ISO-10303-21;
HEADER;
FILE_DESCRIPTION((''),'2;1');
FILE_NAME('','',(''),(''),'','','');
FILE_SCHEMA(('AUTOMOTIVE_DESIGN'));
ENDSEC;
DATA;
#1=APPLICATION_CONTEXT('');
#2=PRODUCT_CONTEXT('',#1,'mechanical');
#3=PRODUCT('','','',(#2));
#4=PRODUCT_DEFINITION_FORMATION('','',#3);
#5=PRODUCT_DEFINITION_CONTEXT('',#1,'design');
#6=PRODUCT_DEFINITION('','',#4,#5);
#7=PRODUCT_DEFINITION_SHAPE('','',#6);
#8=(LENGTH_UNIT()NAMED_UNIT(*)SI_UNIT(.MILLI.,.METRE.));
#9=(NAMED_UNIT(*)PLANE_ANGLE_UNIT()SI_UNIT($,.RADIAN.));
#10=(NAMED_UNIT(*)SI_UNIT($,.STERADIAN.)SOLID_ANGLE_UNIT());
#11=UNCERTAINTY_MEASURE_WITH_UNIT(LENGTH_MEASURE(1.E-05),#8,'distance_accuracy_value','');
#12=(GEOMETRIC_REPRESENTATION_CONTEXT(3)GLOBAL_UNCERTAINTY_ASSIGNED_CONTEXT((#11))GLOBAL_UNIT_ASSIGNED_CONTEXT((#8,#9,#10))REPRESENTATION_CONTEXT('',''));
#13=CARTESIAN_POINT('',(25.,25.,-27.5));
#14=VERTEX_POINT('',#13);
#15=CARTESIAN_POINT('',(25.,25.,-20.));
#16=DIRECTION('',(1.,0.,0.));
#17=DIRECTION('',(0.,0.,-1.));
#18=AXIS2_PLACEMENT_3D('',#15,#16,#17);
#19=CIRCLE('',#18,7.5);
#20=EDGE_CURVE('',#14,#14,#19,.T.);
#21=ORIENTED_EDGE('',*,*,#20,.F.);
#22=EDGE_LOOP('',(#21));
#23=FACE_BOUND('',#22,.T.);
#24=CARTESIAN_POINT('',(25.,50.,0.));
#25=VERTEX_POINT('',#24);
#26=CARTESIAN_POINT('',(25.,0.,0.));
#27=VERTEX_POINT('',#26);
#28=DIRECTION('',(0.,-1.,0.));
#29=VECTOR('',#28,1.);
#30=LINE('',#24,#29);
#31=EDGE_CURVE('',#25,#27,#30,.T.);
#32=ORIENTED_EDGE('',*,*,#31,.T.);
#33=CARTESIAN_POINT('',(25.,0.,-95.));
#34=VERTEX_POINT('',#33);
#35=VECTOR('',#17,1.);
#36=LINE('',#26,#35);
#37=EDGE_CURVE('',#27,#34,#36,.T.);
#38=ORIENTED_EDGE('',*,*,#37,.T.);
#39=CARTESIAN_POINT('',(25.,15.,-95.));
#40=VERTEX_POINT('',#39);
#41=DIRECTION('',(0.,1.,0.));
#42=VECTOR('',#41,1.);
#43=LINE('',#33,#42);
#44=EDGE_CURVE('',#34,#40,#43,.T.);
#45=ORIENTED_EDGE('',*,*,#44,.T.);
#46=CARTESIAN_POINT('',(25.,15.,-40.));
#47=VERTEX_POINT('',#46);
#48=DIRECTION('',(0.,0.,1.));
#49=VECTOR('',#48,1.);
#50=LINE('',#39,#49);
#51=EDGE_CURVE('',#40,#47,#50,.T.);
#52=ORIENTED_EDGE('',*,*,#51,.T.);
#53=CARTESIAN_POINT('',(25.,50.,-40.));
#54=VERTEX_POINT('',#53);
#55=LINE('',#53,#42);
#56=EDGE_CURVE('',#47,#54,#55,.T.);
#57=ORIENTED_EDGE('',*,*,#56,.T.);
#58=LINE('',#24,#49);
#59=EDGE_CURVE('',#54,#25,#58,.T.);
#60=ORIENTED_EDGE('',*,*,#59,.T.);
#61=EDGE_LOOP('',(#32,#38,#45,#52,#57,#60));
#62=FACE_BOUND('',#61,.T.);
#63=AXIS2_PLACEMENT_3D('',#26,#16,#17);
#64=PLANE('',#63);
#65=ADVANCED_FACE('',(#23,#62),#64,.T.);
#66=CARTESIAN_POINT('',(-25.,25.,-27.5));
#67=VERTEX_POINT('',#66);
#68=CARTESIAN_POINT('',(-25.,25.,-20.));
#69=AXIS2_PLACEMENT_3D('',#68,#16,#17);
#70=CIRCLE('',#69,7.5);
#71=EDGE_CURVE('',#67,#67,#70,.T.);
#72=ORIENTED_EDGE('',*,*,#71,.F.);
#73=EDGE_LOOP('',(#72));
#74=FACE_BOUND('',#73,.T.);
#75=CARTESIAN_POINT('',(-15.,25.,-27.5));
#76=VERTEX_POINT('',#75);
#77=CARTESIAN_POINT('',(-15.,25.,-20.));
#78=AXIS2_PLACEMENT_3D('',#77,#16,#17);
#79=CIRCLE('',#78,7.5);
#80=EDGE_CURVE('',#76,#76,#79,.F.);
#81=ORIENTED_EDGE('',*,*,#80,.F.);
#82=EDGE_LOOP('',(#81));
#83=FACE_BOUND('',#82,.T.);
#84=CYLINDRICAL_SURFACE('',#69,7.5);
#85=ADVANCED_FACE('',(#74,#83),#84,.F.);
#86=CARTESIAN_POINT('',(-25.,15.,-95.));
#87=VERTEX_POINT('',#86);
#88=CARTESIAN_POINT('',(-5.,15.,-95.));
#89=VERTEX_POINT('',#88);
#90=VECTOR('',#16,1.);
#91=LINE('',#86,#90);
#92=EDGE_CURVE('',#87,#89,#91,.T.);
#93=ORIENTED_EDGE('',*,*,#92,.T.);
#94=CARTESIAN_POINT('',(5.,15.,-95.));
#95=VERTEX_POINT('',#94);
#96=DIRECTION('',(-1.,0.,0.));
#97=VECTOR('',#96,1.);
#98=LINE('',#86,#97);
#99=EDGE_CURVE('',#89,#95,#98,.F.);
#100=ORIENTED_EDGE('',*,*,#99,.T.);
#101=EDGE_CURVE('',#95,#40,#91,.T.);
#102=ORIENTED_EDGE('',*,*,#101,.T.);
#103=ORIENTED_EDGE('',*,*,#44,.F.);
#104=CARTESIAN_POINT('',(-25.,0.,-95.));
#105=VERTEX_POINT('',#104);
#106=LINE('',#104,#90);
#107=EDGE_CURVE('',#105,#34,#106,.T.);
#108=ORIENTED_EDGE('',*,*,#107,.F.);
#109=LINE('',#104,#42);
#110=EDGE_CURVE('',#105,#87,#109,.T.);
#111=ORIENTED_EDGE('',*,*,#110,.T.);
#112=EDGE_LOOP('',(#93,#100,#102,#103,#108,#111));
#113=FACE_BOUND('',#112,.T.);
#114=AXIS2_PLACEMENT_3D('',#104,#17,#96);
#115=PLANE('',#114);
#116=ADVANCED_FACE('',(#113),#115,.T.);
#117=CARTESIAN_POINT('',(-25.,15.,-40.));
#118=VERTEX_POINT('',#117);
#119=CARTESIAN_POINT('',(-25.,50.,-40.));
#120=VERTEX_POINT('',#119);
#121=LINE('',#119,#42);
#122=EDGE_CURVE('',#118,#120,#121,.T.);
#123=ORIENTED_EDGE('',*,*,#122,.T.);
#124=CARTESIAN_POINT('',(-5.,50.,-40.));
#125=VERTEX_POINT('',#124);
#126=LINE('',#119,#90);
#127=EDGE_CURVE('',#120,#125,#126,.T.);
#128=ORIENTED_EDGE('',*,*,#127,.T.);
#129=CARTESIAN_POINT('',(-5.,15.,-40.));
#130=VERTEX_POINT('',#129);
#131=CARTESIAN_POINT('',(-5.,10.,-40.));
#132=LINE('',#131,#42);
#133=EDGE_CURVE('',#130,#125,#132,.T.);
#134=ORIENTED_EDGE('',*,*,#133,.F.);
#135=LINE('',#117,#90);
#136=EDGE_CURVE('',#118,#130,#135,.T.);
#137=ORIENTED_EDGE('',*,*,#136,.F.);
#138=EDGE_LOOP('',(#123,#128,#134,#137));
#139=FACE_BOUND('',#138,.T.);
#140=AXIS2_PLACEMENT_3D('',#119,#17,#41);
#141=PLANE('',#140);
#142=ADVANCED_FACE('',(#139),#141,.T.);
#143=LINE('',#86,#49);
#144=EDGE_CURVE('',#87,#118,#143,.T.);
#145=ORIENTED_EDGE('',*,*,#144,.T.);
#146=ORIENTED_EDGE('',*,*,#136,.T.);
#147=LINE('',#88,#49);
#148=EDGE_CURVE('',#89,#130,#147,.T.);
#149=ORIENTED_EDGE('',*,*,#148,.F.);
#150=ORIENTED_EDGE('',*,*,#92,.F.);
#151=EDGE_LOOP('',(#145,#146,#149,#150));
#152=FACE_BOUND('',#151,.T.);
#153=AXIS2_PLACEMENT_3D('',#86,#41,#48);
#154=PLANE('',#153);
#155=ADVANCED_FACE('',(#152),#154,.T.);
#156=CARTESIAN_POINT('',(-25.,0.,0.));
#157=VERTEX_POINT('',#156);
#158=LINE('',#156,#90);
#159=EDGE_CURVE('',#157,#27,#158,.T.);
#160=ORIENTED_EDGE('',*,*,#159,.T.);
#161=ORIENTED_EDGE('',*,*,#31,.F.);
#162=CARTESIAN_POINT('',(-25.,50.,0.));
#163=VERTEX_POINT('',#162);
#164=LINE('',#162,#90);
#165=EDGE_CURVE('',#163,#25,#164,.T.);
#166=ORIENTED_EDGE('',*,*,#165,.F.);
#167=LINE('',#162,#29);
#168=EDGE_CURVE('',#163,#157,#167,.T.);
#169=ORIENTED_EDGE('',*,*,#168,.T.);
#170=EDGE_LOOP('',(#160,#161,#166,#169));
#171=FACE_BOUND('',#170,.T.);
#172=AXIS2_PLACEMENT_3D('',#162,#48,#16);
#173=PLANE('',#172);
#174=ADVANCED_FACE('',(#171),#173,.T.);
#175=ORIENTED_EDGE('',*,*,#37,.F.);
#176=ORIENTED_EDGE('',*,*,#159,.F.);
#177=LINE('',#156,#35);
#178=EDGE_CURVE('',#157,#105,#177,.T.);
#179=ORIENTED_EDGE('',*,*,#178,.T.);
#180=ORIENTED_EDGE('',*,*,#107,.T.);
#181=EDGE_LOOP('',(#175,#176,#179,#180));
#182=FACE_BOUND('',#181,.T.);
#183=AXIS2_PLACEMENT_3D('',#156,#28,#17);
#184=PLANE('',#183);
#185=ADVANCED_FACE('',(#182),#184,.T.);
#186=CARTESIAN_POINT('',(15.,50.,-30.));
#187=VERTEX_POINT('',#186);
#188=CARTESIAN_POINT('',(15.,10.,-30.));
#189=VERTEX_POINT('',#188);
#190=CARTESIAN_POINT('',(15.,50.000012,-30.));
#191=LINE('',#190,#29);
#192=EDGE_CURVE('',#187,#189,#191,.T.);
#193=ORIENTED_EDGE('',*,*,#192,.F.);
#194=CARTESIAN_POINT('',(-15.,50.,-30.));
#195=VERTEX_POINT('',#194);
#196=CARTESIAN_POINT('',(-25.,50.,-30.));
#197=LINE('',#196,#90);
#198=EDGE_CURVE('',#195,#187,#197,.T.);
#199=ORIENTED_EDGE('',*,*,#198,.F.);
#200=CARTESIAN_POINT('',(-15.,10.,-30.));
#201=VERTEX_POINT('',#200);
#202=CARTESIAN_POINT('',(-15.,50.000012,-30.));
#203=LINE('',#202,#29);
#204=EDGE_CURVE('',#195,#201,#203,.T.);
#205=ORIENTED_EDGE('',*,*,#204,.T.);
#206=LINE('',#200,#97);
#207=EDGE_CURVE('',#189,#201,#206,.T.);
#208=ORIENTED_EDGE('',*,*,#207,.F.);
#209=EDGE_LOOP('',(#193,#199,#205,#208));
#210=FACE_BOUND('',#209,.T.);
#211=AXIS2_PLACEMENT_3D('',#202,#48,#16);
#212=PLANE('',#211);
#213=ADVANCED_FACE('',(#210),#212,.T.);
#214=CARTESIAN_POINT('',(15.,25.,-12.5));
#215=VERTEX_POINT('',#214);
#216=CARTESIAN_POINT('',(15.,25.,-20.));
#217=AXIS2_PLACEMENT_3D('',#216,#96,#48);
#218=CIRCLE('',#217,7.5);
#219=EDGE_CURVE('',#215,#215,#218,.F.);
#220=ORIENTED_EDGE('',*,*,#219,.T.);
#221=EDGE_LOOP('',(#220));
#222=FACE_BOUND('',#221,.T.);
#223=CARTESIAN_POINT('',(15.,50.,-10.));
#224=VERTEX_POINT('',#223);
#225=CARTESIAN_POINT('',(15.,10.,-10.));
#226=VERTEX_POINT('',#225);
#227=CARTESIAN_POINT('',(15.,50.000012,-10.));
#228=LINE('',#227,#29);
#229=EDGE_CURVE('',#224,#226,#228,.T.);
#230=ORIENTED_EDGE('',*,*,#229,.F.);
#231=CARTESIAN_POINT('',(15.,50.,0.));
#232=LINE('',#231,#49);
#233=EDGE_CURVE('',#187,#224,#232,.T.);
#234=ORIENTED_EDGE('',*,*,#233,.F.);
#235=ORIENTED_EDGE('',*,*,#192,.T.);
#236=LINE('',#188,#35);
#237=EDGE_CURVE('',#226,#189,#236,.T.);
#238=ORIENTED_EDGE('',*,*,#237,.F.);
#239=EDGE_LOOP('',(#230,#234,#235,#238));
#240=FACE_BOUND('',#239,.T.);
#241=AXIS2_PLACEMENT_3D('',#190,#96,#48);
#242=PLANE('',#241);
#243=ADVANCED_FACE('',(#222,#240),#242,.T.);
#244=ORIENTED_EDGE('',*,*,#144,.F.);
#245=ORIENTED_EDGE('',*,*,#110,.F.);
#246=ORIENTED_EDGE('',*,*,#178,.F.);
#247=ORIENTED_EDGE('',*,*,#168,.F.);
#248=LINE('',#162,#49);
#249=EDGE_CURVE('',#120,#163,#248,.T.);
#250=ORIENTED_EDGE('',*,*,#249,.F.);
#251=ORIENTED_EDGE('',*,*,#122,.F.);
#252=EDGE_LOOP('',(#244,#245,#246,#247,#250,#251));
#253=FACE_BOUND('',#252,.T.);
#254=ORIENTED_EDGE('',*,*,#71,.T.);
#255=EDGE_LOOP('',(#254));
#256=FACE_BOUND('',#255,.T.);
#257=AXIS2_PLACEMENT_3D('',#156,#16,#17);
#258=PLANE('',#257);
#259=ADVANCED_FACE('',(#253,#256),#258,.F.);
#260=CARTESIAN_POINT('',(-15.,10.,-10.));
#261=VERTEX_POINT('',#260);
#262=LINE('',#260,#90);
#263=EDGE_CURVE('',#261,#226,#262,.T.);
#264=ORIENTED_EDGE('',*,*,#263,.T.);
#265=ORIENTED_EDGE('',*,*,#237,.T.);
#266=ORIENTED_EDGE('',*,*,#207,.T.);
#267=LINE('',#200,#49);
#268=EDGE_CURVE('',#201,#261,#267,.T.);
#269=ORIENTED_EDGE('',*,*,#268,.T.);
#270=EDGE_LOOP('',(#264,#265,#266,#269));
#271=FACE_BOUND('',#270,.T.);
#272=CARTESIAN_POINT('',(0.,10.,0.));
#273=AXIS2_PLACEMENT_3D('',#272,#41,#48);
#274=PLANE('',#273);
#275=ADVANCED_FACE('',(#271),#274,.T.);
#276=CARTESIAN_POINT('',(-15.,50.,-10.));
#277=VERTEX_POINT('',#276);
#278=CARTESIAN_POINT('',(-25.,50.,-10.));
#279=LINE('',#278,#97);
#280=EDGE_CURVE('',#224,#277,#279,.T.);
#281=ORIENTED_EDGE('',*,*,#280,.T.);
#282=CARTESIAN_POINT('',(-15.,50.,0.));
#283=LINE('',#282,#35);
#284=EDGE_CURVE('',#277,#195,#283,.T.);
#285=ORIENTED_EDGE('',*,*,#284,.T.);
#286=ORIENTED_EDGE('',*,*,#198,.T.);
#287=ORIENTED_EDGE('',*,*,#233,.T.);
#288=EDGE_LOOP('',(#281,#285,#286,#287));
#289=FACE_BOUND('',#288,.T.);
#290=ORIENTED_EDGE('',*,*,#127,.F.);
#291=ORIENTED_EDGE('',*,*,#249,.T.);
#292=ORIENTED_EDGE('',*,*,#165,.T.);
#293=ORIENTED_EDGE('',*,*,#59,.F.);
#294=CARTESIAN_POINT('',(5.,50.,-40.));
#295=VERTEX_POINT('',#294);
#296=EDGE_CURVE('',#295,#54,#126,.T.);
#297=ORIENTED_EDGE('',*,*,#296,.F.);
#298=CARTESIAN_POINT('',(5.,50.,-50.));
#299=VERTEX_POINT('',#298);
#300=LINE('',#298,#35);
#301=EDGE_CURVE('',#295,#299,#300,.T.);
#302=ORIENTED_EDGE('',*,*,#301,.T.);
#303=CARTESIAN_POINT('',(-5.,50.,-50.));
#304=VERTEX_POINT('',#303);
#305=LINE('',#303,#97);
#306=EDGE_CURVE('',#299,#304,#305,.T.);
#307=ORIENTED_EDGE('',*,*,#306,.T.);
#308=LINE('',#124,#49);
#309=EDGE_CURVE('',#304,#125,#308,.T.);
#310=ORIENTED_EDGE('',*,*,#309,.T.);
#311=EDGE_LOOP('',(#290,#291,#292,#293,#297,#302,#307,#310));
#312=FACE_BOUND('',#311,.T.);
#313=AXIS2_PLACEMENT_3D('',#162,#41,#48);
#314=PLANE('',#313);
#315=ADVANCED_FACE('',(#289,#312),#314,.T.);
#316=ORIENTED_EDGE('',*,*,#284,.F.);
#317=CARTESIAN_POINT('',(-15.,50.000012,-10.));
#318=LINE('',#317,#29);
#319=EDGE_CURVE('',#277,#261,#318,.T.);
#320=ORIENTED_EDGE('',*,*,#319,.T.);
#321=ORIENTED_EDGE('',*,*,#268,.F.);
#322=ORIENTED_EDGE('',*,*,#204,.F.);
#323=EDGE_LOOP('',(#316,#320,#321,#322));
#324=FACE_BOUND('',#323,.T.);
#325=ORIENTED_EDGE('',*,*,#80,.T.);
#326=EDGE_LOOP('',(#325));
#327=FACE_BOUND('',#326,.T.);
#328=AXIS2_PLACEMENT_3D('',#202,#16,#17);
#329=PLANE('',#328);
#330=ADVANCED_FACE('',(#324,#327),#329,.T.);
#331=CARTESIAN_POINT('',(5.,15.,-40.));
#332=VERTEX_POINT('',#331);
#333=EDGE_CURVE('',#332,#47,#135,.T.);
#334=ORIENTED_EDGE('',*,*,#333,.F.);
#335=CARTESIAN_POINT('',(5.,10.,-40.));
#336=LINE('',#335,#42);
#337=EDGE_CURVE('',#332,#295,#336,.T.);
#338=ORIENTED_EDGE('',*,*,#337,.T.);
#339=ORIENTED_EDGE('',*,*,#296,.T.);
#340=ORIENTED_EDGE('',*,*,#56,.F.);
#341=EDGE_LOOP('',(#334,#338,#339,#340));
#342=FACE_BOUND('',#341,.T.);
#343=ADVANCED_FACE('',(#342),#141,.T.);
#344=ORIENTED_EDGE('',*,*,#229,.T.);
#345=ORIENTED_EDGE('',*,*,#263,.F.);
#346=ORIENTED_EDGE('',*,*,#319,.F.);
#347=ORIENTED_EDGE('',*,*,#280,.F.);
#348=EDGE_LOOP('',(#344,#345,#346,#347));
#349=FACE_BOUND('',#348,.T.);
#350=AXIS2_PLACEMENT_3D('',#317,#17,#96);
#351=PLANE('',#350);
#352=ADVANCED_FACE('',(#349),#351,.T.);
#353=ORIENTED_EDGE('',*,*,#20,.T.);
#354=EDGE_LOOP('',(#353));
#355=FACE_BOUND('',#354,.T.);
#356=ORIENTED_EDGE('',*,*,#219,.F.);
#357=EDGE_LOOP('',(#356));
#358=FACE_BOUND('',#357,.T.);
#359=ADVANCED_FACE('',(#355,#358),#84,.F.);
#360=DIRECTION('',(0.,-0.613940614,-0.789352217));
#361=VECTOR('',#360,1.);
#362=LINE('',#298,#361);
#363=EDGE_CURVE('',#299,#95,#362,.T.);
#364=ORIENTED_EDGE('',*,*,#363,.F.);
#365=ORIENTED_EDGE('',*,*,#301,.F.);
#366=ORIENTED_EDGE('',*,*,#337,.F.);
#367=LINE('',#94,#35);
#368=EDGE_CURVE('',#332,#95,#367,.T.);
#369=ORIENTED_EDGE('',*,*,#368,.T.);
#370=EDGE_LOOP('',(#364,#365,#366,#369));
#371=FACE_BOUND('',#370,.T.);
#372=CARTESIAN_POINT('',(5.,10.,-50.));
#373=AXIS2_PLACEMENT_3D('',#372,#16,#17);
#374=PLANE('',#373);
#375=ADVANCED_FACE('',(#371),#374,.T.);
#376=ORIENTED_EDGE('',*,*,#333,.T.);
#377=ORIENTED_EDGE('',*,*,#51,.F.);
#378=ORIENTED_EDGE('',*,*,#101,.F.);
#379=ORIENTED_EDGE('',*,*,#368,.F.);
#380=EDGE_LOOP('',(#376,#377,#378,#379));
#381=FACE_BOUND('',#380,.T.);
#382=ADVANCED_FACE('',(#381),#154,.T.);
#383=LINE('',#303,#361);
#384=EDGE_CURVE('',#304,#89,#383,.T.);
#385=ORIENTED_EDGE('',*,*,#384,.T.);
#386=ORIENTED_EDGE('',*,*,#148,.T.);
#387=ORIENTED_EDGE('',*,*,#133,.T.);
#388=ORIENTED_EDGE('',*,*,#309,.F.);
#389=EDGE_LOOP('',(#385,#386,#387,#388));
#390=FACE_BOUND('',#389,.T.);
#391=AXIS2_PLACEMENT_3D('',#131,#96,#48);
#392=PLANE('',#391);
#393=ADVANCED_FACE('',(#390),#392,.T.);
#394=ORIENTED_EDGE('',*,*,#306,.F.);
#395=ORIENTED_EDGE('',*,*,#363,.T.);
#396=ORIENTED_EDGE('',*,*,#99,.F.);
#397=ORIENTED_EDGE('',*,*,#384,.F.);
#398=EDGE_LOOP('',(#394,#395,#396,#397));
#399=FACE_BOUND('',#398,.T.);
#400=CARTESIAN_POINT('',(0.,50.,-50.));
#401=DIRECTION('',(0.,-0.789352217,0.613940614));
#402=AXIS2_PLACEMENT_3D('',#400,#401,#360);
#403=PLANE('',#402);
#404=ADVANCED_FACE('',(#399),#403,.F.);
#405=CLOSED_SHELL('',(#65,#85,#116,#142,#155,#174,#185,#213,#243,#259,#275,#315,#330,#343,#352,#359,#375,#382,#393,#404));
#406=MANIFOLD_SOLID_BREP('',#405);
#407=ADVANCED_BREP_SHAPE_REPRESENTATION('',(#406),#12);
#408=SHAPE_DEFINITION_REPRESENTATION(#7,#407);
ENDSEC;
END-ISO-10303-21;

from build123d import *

# Parameters (mm, degrees)
SKETCH2_R               = 7.5
BOSS_EXTRUDE1_DEPTH     = 25
CUT_EXTRUDE1_DEPTH      = 111.227038425
CUT_EXTRUDE1_DEPTH_BACK = 40
SKETCH3_W               = 30
SKETCH3_H               = 20
SKETCH4_W               = 10
SKETCH4_H               = 10
BOSS_EXTRUDE2_DEPTH     = 40
RIB36_REACH             = 112.227
SKETCH12_WALL_W         = 279.462848106
SKETCH12_WALL_H         = 10


with BuildPart() as part:
    # Sketch2 → Boss-Extrude1 (new, symmetric)
    with BuildSketch(Plane(origin=(0, 0, 0), x_dir=(0, 0, -1), z_dir=(1, 0, 0))):
        Polygon((0, 50), (40, 50), (40, 15), (95, 15), (95, 0), (0, 0), align=None)
        with Locations((20, 25)):
            Circle(SKETCH2_R, mode=Mode.SUBTRACT)
    extrude(amount=BOSS_EXTRUDE1_DEPTH, both=True)

    # Sketch3 → Cut-Extrude1 (cut, two sides: drawn at the far end of the back side and taken through both)
    with BuildSketch(Plane(origin=(0, 50, 0), x_dir=(1, 0, 0), z_dir=(0, 1, 0)).offset(-CUT_EXTRUDE1_DEPTH_BACK)):
        with Locations((0, 20)):
            Rectangle(SKETCH3_W, SKETCH3_H)
    extrude(amount=CUT_EXTRUDE1_DEPTH + CUT_EXTRUDE1_DEPTH_BACK, mode=Mode.SUBTRACT)

    # Sketch4 → Boss-Extrude2 (add)
    with BuildSketch(Plane(origin=(0, 50, 0), x_dir=(1, 0, 0), z_dir=(0, 1, 0))):
        with Locations((0, 45)):
            Rectangle(SKETCH4_W, SKETCH4_H)
    extrude(amount=-BOSS_EXTRUDE2_DEPTH)

    # Sketch12 wall → Rib36 (add, up to next)
    with BuildSketch(Plane(origin=(0, 32.5, -72.5), x_dir=(0, -0.613940613515, -0.789352217376), z_dir=(0, 0.789352217376, -0.613940613515)), mode=Mode.PRIVATE) as rib36_sk1:
        Rectangle(SKETCH12_WALL_W, SKETCH12_WALL_H)
    rib36_tool1 = extrude(rib36_sk1.sketch, amount=-RIB36_REACH, mode=Mode.PRIVATE) - part.part
    add(rib36_tool1.solids().sort_by_distance((0, 32.5, -72.5))[0])


solid = part.part
